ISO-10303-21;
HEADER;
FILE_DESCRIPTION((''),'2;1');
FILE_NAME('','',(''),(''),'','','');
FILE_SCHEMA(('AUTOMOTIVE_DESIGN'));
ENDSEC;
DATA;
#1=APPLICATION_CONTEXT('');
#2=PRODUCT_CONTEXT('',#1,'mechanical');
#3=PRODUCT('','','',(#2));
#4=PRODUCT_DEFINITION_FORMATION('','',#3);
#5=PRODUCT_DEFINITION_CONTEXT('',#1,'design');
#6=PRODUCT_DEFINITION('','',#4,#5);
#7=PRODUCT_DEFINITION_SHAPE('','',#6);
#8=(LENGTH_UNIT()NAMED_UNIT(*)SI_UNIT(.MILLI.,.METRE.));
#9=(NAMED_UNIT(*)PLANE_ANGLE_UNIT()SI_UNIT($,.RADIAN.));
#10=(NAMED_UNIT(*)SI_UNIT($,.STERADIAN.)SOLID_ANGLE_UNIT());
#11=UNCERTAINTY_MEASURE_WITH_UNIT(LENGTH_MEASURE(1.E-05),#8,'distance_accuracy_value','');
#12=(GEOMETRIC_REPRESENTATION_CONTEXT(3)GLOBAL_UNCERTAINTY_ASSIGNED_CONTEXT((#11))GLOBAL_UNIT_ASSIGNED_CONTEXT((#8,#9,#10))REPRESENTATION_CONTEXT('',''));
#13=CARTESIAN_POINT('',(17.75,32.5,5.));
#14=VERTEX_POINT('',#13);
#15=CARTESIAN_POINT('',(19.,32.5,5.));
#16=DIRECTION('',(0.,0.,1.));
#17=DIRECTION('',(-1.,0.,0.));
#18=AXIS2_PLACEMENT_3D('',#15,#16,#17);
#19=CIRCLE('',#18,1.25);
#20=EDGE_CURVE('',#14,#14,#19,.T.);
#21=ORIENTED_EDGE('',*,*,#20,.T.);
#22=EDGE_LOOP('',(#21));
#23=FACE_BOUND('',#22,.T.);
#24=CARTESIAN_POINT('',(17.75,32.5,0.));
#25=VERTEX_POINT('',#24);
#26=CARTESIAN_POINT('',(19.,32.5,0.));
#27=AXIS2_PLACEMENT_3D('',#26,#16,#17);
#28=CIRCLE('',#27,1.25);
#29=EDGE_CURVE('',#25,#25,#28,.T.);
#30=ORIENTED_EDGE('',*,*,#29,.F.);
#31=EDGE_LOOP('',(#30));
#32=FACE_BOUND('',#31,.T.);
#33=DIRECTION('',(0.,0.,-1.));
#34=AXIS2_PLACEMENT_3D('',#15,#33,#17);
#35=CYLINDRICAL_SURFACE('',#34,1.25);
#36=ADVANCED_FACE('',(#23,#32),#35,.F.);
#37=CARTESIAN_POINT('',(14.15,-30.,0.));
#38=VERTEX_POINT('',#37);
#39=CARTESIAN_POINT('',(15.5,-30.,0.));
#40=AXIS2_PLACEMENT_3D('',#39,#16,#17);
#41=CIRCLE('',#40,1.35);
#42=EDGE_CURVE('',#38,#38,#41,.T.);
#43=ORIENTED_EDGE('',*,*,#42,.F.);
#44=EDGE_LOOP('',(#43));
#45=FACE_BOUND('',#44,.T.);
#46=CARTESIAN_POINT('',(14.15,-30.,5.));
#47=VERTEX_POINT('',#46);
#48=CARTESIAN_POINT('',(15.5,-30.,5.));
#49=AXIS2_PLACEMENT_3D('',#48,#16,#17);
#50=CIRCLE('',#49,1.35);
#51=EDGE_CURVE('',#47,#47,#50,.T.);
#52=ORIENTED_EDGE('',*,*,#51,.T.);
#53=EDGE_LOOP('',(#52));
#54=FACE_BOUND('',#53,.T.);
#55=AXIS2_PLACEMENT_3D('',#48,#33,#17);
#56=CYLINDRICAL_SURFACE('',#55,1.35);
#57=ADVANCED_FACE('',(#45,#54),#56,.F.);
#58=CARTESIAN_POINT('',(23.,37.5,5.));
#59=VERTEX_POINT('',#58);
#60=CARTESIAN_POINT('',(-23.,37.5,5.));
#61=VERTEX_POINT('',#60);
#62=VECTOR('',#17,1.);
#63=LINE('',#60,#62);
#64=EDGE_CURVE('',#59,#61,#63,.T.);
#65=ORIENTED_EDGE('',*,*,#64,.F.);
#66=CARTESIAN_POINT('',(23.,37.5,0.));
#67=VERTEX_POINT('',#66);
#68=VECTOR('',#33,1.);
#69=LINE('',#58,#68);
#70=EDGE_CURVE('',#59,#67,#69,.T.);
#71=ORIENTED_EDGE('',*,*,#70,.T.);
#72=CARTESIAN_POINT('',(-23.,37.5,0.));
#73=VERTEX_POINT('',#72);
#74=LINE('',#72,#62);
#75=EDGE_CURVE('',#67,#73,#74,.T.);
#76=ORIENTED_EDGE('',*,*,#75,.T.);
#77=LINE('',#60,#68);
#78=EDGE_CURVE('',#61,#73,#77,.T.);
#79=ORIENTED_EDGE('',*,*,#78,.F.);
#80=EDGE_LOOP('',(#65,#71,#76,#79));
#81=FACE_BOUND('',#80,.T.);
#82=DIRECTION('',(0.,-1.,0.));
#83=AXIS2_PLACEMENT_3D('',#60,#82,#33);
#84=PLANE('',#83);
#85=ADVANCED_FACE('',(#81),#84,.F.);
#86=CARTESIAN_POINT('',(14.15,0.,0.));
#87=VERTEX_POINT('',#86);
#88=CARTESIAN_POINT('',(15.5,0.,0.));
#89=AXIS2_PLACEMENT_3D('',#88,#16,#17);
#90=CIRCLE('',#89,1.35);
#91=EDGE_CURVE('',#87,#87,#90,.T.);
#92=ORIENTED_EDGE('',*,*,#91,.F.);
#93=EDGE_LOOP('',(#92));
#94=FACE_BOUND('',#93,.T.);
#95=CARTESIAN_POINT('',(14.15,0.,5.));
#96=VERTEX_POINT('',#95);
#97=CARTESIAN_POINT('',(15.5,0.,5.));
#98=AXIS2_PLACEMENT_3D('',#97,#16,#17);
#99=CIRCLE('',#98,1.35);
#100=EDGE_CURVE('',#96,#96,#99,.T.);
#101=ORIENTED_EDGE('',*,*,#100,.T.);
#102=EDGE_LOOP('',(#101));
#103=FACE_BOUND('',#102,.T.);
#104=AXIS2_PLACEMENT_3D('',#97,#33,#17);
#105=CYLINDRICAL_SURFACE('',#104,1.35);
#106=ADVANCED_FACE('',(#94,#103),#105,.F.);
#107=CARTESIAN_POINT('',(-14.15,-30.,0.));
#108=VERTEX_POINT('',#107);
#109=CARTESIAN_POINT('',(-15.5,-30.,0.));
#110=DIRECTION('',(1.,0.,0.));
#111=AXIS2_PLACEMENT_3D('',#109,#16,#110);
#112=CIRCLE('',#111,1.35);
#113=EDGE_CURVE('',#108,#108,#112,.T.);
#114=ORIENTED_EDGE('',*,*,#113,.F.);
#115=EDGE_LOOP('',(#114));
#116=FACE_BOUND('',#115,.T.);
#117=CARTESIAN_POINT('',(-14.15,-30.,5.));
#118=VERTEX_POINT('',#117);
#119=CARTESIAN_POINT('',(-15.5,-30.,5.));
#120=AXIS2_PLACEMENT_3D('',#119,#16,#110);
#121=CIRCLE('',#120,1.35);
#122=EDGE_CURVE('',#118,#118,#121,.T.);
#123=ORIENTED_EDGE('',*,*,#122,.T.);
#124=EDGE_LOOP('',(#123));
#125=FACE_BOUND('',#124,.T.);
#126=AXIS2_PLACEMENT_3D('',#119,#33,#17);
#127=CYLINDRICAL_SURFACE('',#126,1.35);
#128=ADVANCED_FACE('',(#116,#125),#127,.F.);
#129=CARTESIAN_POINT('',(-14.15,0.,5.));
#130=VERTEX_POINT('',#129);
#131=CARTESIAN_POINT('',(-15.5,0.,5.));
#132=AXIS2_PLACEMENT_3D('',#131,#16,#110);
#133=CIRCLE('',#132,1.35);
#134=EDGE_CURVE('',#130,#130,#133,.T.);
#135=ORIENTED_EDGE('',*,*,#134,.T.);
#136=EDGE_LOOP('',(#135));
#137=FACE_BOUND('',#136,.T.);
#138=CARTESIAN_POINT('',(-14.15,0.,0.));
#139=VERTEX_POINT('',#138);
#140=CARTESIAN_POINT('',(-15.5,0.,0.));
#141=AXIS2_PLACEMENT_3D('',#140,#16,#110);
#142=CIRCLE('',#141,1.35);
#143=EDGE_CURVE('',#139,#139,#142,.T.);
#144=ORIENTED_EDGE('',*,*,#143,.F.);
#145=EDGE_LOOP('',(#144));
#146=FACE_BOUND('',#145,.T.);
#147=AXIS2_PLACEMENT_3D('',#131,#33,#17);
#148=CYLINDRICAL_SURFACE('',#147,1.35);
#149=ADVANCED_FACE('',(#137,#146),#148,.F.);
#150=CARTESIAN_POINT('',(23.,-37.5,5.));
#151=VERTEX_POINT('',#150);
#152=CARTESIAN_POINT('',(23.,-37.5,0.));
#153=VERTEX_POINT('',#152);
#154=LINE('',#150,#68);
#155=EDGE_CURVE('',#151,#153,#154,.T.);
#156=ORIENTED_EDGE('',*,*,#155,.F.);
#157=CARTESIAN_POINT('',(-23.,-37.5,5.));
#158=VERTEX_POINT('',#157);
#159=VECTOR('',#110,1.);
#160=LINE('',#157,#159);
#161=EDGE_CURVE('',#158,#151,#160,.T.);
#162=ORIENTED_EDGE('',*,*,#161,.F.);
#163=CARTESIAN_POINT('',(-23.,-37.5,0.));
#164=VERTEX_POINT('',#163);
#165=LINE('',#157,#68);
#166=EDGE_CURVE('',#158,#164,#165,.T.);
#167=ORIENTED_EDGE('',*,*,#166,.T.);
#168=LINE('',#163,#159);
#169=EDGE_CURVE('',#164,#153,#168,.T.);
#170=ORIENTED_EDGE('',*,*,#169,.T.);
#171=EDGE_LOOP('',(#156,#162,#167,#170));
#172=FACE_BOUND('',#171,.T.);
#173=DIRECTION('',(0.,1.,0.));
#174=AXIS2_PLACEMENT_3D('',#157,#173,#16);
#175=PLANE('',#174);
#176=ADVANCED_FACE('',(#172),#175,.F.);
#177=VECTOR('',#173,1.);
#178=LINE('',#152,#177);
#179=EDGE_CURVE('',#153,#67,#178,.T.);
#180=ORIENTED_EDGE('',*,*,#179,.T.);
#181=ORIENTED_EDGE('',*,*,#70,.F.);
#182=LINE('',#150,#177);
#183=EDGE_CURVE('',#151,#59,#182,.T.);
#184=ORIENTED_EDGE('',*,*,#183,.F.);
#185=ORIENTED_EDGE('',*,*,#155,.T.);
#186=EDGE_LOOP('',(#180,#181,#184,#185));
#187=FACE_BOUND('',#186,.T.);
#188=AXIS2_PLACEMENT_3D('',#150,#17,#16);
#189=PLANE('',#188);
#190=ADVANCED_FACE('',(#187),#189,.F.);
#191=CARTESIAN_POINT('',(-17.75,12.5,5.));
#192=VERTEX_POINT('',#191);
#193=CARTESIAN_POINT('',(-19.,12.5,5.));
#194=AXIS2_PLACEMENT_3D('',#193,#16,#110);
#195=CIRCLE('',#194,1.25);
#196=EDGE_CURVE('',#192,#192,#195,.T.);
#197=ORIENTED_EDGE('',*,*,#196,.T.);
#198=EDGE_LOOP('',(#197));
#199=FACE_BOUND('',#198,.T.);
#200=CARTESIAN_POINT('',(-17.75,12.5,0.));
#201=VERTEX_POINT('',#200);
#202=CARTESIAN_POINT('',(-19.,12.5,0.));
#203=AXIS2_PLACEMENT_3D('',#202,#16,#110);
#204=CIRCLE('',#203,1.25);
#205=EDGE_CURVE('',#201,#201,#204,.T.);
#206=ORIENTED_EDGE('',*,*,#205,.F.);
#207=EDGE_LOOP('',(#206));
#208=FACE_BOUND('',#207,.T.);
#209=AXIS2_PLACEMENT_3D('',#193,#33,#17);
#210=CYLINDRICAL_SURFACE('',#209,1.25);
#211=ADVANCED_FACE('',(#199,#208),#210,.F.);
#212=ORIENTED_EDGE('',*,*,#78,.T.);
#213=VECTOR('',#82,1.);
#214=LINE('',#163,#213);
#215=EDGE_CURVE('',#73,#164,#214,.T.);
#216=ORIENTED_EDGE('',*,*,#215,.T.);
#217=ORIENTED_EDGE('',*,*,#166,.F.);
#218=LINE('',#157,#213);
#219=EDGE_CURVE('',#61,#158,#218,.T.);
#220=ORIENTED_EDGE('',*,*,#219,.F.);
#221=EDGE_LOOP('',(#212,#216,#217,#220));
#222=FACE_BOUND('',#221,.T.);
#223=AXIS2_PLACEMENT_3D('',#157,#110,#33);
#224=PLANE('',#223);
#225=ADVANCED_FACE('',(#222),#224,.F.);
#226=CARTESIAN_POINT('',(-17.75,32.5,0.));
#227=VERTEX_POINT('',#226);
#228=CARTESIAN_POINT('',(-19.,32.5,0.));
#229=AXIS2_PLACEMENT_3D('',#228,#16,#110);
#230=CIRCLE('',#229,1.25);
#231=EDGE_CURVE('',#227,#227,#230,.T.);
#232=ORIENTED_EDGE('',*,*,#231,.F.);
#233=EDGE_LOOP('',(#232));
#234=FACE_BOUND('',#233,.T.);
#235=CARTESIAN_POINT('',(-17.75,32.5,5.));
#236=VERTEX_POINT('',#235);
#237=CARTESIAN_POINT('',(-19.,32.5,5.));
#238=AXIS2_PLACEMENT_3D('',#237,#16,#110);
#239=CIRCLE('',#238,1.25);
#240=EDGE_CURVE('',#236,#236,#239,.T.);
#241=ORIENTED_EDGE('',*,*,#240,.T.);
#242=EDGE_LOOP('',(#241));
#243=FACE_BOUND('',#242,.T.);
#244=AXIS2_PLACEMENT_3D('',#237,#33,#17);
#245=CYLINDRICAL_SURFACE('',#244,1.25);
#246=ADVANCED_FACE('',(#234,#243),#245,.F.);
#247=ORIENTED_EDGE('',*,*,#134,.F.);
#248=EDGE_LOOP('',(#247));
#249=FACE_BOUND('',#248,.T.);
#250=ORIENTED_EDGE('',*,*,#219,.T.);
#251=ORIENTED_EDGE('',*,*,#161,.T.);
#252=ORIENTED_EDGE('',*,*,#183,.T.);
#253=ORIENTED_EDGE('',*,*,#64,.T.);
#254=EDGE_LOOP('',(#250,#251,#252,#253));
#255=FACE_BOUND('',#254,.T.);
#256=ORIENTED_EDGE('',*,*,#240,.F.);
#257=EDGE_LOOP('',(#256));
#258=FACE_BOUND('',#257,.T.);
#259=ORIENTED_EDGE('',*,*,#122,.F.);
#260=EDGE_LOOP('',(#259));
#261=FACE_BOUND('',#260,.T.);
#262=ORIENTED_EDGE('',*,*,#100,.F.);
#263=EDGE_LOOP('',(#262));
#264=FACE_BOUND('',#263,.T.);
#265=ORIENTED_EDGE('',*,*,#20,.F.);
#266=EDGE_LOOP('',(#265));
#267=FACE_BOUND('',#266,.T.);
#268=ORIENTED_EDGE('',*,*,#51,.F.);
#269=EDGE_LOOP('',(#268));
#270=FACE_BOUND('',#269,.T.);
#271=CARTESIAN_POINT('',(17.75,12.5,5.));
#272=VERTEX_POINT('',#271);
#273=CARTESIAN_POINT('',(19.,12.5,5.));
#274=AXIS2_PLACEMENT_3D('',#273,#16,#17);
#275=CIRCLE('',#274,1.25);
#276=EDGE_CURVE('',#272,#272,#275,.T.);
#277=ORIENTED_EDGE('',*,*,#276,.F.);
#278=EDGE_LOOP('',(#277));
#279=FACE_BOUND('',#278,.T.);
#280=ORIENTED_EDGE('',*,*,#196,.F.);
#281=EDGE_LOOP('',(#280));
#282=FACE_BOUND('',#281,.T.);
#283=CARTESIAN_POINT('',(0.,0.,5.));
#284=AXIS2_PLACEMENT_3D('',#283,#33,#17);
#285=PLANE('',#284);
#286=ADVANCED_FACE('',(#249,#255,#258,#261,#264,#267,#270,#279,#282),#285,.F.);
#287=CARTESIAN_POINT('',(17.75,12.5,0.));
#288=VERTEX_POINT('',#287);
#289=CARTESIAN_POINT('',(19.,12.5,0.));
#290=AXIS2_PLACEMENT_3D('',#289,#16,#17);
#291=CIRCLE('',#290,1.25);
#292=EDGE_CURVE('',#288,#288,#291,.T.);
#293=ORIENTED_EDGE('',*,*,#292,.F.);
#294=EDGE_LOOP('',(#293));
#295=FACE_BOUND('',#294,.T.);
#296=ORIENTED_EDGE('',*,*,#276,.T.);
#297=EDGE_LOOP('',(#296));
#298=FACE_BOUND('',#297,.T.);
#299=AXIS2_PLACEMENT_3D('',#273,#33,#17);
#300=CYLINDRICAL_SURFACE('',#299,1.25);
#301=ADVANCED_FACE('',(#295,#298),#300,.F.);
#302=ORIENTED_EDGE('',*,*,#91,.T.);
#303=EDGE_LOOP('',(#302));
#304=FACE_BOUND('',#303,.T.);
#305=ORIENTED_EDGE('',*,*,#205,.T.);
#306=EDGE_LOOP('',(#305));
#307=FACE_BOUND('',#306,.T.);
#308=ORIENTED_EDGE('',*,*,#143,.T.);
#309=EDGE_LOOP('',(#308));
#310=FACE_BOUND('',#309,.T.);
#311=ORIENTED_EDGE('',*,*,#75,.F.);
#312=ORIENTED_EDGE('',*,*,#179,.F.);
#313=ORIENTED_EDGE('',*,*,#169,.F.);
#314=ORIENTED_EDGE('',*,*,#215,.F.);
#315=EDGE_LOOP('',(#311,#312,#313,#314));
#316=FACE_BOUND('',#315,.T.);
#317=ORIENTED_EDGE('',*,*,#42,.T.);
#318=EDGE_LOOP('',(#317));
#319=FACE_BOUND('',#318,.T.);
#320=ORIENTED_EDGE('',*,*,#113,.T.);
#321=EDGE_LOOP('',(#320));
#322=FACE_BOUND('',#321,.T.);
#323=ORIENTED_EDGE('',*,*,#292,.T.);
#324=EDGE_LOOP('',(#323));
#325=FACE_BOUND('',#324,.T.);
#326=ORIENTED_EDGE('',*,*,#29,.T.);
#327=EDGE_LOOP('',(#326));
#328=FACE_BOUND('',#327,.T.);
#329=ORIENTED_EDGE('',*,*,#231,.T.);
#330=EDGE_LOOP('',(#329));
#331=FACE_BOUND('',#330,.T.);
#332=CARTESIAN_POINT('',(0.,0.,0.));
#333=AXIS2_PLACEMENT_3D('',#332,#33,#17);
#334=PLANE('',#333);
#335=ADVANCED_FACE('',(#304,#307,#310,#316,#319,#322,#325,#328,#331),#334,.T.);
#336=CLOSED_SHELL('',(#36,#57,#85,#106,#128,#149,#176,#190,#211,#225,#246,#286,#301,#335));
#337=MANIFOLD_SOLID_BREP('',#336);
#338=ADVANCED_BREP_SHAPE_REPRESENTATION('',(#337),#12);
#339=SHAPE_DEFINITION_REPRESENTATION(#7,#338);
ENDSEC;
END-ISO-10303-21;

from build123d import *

# Parameters (mm, degrees)
SKETCH_1_W      = 46
SKETCH_1_H      = 75
SKETCH_1_R      = 1.25
SKETCH_1_R_2    = 1.35
EXTRUDE_1_DEPTH = 5


with BuildPart() as part:
    # 草圖1 → 填料-伸長1 (new body)
    with BuildSketch(Plane.XY):
        Rectangle(SKETCH_1_W, SKETCH_1_H)
        with Locations((-19, 32.5)):
            Circle(SKETCH_1_R, mode=Mode.SUBTRACT)
        with Locations((-15.5, -30)):
            Circle(SKETCH_1_R_2, mode=Mode.SUBTRACT)
        with Locations((-15.5, 0)):
            Circle(SKETCH_1_R_2, mode=Mode.SUBTRACT)
        with Locations((15.5, -30)):
            Circle(SKETCH_1_R_2, mode=Mode.SUBTRACT)
        with Locations((15.5, 0)):
            Circle(SKETCH_1_R_2, mode=Mode.SUBTRACT)
        with Locations((19, 32.5)):
            Circle(SKETCH_1_R, mode=Mode.SUBTRACT)
        with Locations((-19, 12.5)):
            Circle(SKETCH_1_R, mode=Mode.SUBTRACT)
        with Locations((19, 12.5)):
            Circle(SKETCH_1_R, mode=Mode.SUBTRACT)
    extrude(amount=EXTRUDE_1_DEPTH)


solid = part.part
